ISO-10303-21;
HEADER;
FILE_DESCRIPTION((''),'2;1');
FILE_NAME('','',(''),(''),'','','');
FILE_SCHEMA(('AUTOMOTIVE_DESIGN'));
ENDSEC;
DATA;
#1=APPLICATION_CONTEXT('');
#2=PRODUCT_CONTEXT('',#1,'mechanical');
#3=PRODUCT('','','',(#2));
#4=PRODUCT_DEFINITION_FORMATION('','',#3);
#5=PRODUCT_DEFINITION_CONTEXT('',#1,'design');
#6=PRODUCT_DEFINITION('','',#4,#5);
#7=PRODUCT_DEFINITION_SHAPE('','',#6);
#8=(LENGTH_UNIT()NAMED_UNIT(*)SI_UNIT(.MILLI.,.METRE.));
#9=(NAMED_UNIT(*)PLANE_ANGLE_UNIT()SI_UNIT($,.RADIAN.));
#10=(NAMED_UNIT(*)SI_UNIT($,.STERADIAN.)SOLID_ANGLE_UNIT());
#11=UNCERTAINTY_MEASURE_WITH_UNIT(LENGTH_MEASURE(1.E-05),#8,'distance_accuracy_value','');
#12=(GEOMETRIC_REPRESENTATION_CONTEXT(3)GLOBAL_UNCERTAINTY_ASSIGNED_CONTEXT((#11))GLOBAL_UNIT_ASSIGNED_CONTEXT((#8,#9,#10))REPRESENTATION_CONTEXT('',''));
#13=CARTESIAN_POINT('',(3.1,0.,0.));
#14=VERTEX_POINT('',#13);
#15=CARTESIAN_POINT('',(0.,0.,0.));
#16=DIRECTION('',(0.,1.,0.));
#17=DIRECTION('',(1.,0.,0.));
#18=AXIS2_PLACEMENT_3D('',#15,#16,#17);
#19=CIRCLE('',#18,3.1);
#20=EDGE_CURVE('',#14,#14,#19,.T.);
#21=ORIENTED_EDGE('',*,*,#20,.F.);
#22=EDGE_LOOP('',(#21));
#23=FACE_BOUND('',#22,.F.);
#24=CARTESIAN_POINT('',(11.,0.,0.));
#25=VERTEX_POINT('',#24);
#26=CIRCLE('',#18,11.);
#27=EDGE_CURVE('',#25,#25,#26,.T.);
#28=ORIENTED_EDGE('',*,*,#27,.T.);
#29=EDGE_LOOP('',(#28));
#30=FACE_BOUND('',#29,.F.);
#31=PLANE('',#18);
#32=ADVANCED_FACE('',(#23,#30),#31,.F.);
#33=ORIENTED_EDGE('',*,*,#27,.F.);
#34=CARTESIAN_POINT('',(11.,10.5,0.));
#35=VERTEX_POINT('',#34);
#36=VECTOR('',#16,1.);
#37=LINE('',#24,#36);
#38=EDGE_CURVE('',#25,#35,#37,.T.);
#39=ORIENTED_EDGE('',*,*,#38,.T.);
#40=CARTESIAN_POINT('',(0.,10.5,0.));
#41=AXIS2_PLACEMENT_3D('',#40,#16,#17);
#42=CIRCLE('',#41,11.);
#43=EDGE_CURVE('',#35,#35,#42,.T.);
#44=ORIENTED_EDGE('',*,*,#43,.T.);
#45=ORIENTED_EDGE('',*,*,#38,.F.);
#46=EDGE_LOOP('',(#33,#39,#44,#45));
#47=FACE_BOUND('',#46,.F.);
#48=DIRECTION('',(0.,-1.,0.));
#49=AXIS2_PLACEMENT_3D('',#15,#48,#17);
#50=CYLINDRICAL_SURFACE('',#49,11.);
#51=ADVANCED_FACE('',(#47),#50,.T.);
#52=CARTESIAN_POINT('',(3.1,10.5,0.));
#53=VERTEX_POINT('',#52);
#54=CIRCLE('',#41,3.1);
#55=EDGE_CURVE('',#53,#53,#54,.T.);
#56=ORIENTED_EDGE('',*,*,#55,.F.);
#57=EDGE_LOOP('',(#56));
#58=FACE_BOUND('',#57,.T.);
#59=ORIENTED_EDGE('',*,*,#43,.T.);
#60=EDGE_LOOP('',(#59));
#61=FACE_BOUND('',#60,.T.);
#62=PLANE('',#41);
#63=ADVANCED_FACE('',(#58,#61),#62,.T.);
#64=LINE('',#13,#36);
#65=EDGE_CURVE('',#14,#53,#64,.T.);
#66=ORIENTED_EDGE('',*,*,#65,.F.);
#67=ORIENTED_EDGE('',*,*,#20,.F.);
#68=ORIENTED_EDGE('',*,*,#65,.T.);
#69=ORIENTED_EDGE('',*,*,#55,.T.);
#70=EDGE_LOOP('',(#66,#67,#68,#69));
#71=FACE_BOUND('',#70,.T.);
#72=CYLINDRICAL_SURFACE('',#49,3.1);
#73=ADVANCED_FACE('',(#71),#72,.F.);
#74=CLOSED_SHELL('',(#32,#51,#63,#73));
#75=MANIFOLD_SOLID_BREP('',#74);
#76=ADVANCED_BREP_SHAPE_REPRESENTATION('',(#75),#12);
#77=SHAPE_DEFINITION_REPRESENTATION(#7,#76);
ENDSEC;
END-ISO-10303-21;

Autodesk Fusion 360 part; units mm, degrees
sketch "Sketch1" plane through (0, 0, 0) normal (0, 0, 1) x (1, 0, 0)
sketch "Sketch2" plane through (0, 0, 0) normal (0, 1, 0) x (1, 0, 0)
  circle A0 centre (0, 0) radius 11
  circle A1 centre (0, 0) radius 3.1
  dimension "d6" = 22
  dimension "d7" = 6.2
extrude "Extrude1" add sketch "Sketch2" along normal blind 10.5
